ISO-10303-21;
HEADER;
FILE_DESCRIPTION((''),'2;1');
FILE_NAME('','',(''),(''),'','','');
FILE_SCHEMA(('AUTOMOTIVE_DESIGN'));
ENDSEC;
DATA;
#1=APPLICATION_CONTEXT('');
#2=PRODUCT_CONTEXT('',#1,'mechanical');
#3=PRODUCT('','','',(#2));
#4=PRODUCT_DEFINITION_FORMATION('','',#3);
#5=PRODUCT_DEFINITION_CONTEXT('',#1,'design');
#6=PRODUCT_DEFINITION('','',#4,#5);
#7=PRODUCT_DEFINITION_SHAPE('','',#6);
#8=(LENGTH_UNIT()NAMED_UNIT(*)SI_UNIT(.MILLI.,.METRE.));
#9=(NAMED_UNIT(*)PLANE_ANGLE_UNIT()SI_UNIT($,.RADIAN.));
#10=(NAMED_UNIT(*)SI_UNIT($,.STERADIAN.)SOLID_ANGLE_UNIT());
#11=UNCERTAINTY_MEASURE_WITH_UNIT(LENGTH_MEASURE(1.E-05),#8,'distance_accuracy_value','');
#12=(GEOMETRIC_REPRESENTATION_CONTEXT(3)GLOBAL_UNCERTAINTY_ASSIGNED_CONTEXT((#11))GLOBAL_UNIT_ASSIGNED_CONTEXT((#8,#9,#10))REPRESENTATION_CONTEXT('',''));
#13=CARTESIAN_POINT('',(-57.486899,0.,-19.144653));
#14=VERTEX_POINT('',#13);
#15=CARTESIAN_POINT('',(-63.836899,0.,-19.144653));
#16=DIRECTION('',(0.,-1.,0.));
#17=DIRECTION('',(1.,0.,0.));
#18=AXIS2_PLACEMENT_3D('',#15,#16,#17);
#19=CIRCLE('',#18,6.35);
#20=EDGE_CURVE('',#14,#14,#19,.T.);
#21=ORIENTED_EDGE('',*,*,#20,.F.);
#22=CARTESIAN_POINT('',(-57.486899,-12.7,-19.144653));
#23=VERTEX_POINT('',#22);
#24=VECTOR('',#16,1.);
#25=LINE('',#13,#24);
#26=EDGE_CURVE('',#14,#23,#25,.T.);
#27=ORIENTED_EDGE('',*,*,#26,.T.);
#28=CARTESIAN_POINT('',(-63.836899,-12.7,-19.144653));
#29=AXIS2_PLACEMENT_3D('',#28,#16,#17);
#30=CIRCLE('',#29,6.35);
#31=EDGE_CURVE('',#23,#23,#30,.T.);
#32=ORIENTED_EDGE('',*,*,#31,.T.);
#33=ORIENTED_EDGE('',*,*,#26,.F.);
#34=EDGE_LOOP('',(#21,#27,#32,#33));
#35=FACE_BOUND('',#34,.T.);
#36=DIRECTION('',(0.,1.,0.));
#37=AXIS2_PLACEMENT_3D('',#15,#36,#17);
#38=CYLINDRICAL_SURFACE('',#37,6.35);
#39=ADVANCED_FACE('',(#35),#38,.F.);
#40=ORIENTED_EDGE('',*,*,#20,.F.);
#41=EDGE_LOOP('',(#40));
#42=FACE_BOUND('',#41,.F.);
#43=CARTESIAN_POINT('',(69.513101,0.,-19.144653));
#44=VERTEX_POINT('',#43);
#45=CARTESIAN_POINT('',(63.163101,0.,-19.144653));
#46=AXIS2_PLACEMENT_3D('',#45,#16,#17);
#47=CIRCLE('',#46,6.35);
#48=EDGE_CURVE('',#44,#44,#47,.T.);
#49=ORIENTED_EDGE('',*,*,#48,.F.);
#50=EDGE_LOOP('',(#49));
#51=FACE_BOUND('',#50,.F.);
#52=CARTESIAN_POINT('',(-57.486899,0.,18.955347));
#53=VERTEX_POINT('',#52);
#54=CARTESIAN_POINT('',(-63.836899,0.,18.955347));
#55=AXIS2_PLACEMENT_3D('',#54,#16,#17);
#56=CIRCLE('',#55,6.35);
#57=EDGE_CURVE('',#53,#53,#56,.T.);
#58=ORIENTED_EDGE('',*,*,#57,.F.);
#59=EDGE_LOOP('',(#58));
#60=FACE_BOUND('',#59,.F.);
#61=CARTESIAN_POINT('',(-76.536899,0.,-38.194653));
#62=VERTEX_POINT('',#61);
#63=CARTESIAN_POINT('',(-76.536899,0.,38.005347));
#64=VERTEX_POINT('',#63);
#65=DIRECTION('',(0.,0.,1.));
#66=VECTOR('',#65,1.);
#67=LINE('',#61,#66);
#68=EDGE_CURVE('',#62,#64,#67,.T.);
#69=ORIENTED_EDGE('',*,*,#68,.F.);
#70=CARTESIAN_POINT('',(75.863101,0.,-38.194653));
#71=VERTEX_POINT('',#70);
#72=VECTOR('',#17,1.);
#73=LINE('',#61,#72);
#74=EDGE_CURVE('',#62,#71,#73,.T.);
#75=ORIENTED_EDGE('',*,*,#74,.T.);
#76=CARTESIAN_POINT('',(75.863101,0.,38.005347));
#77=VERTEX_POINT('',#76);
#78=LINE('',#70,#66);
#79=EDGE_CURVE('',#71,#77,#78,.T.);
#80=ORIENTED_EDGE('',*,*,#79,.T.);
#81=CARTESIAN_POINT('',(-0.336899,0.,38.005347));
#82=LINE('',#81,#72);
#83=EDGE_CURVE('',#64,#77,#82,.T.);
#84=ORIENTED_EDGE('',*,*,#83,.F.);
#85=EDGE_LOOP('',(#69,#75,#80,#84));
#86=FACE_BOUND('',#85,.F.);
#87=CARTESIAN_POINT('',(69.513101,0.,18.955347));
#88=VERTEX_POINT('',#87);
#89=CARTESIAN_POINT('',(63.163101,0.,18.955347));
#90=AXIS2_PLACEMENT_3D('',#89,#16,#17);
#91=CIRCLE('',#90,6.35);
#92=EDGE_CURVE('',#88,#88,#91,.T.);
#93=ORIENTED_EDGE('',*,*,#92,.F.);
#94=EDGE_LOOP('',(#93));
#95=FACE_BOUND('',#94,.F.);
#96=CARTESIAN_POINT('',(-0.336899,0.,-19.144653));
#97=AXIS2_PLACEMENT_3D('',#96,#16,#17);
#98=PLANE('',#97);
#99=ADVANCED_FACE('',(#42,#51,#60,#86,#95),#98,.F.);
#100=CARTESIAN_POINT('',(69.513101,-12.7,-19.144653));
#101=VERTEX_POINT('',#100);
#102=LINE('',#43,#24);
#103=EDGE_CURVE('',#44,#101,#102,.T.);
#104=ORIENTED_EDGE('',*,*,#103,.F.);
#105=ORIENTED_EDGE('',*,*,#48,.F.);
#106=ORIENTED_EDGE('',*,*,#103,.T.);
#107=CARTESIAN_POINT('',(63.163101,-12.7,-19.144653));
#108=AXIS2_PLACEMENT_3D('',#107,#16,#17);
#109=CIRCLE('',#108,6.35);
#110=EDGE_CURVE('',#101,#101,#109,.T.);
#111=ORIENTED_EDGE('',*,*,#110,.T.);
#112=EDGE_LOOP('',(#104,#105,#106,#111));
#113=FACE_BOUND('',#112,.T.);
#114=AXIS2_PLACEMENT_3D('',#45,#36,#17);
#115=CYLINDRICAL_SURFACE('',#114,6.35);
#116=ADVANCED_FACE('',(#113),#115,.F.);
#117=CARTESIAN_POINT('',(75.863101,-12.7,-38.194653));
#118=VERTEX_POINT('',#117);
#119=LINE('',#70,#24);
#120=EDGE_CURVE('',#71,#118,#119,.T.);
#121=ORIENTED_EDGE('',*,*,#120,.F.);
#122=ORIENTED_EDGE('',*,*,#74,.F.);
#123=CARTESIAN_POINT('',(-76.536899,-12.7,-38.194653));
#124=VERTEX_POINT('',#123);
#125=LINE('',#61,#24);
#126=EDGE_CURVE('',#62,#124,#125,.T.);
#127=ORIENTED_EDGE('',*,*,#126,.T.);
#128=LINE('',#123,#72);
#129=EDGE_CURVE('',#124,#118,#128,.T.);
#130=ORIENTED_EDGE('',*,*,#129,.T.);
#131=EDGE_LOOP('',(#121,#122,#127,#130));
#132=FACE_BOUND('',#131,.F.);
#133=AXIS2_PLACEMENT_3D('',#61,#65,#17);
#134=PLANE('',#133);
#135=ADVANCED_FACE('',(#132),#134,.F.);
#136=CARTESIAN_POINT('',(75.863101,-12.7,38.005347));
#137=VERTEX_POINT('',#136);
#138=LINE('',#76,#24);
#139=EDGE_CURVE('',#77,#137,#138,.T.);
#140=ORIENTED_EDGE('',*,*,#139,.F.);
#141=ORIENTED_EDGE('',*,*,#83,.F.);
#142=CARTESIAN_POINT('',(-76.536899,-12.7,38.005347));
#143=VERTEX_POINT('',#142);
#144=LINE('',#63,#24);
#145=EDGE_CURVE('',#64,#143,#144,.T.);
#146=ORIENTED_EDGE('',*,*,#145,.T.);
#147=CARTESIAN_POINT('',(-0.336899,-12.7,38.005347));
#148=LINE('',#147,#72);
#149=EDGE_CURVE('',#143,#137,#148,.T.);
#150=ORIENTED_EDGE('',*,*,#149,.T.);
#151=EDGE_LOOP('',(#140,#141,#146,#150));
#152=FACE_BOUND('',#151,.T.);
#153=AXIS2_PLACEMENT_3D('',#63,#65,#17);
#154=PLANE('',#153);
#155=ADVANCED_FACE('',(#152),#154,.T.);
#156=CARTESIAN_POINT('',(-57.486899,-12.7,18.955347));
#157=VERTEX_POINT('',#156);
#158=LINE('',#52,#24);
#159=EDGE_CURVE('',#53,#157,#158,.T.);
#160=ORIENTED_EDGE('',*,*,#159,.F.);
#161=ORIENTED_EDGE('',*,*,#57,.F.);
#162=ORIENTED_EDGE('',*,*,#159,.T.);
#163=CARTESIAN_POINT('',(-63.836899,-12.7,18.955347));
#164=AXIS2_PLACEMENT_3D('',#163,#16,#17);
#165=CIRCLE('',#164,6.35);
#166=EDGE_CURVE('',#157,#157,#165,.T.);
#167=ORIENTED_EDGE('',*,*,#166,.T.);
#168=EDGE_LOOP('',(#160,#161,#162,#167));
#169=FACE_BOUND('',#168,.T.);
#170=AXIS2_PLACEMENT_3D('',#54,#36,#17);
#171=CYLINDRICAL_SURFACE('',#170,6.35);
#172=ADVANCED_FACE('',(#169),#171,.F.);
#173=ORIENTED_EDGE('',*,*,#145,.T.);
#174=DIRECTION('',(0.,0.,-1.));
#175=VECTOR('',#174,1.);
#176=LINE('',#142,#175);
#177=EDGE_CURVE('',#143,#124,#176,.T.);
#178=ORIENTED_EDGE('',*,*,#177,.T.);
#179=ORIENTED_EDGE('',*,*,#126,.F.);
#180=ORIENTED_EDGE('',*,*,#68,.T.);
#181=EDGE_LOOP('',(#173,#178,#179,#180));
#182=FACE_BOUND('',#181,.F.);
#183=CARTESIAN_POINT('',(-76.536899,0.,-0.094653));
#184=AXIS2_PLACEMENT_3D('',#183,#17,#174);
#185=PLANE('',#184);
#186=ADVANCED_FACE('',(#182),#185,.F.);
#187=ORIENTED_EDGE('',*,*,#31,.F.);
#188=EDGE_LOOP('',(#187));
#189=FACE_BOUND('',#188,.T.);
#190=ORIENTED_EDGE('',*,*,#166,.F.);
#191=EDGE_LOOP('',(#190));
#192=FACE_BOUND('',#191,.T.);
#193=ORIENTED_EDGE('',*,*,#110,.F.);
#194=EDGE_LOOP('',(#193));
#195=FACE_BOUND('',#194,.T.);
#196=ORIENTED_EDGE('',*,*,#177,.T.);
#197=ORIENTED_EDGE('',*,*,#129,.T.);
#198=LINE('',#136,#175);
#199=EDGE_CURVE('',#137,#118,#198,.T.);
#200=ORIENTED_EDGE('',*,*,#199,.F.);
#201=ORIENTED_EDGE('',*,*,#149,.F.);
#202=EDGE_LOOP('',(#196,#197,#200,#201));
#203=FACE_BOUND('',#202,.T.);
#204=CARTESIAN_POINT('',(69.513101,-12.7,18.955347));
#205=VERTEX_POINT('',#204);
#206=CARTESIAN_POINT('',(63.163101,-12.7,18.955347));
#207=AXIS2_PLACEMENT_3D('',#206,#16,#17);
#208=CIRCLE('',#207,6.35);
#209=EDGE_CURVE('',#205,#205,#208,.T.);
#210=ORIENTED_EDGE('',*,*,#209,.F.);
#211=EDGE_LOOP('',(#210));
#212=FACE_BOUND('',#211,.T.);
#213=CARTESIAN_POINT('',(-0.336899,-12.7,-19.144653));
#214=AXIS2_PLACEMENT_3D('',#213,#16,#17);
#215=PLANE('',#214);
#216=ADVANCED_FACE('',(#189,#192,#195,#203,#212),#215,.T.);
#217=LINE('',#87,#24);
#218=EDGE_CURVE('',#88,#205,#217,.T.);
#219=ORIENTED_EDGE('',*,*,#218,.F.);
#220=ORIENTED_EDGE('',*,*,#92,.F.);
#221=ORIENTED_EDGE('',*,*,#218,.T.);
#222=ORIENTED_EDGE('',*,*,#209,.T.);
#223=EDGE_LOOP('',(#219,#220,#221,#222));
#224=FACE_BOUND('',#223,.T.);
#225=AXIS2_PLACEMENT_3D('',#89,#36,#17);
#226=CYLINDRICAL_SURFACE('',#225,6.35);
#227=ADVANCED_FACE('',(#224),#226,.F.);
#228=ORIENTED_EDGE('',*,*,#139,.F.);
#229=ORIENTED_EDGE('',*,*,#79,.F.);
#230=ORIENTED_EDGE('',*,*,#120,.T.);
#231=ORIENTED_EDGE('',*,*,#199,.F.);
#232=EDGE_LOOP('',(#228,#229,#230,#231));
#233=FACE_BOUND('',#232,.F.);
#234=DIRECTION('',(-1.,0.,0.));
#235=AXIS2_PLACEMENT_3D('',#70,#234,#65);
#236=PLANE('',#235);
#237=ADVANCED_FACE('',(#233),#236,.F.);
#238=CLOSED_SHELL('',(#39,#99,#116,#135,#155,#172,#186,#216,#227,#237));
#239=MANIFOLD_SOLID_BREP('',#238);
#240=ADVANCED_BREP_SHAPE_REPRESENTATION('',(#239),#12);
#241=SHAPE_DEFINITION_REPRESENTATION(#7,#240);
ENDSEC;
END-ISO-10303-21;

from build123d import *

# Parameters (mm, degrees)
F0_W     = 152.4
F0_H     = 38.1
F0_R     = 6.35
F1_DEPTH = 12.7
F2_DEPTH = 12.7


with BuildPart() as f1:
    # F0 (on Front) → F1 (new body)
    with BuildSketch(Plane.XZ):
        with Locations((-0.336899, 18.955347)):
            Rectangle(F0_W, F0_H)
        with Locations((-63.836899, 18.955347)):
            Circle(F0_R, mode=Mode.SUBTRACT)
        with Locations((63.163101, 18.955347)):
            Circle(F0_R, mode=Mode.SUBTRACT)
    extrude(amount=F1_DEPTH)

    # F0 (on Front) → F2 (join)
    with BuildSketch(Plane.XZ):
        Polygon((75.863101, -0.094653), (-76.536899, -0.094653), (-76.536899, -38.194653), (-0.336899, -38.194653), (75.863101, -38.194653), align=None)
        with Locations((-63.836899, -19.144653)):
            Circle(F0_R, mode=Mode.SUBTRACT)
        with Locations((63.163101, -19.144653)):
            Circle(F0_R, mode=Mode.SUBTRACT)
    extrude(amount=F2_DEPTH)


solid = f1.part
